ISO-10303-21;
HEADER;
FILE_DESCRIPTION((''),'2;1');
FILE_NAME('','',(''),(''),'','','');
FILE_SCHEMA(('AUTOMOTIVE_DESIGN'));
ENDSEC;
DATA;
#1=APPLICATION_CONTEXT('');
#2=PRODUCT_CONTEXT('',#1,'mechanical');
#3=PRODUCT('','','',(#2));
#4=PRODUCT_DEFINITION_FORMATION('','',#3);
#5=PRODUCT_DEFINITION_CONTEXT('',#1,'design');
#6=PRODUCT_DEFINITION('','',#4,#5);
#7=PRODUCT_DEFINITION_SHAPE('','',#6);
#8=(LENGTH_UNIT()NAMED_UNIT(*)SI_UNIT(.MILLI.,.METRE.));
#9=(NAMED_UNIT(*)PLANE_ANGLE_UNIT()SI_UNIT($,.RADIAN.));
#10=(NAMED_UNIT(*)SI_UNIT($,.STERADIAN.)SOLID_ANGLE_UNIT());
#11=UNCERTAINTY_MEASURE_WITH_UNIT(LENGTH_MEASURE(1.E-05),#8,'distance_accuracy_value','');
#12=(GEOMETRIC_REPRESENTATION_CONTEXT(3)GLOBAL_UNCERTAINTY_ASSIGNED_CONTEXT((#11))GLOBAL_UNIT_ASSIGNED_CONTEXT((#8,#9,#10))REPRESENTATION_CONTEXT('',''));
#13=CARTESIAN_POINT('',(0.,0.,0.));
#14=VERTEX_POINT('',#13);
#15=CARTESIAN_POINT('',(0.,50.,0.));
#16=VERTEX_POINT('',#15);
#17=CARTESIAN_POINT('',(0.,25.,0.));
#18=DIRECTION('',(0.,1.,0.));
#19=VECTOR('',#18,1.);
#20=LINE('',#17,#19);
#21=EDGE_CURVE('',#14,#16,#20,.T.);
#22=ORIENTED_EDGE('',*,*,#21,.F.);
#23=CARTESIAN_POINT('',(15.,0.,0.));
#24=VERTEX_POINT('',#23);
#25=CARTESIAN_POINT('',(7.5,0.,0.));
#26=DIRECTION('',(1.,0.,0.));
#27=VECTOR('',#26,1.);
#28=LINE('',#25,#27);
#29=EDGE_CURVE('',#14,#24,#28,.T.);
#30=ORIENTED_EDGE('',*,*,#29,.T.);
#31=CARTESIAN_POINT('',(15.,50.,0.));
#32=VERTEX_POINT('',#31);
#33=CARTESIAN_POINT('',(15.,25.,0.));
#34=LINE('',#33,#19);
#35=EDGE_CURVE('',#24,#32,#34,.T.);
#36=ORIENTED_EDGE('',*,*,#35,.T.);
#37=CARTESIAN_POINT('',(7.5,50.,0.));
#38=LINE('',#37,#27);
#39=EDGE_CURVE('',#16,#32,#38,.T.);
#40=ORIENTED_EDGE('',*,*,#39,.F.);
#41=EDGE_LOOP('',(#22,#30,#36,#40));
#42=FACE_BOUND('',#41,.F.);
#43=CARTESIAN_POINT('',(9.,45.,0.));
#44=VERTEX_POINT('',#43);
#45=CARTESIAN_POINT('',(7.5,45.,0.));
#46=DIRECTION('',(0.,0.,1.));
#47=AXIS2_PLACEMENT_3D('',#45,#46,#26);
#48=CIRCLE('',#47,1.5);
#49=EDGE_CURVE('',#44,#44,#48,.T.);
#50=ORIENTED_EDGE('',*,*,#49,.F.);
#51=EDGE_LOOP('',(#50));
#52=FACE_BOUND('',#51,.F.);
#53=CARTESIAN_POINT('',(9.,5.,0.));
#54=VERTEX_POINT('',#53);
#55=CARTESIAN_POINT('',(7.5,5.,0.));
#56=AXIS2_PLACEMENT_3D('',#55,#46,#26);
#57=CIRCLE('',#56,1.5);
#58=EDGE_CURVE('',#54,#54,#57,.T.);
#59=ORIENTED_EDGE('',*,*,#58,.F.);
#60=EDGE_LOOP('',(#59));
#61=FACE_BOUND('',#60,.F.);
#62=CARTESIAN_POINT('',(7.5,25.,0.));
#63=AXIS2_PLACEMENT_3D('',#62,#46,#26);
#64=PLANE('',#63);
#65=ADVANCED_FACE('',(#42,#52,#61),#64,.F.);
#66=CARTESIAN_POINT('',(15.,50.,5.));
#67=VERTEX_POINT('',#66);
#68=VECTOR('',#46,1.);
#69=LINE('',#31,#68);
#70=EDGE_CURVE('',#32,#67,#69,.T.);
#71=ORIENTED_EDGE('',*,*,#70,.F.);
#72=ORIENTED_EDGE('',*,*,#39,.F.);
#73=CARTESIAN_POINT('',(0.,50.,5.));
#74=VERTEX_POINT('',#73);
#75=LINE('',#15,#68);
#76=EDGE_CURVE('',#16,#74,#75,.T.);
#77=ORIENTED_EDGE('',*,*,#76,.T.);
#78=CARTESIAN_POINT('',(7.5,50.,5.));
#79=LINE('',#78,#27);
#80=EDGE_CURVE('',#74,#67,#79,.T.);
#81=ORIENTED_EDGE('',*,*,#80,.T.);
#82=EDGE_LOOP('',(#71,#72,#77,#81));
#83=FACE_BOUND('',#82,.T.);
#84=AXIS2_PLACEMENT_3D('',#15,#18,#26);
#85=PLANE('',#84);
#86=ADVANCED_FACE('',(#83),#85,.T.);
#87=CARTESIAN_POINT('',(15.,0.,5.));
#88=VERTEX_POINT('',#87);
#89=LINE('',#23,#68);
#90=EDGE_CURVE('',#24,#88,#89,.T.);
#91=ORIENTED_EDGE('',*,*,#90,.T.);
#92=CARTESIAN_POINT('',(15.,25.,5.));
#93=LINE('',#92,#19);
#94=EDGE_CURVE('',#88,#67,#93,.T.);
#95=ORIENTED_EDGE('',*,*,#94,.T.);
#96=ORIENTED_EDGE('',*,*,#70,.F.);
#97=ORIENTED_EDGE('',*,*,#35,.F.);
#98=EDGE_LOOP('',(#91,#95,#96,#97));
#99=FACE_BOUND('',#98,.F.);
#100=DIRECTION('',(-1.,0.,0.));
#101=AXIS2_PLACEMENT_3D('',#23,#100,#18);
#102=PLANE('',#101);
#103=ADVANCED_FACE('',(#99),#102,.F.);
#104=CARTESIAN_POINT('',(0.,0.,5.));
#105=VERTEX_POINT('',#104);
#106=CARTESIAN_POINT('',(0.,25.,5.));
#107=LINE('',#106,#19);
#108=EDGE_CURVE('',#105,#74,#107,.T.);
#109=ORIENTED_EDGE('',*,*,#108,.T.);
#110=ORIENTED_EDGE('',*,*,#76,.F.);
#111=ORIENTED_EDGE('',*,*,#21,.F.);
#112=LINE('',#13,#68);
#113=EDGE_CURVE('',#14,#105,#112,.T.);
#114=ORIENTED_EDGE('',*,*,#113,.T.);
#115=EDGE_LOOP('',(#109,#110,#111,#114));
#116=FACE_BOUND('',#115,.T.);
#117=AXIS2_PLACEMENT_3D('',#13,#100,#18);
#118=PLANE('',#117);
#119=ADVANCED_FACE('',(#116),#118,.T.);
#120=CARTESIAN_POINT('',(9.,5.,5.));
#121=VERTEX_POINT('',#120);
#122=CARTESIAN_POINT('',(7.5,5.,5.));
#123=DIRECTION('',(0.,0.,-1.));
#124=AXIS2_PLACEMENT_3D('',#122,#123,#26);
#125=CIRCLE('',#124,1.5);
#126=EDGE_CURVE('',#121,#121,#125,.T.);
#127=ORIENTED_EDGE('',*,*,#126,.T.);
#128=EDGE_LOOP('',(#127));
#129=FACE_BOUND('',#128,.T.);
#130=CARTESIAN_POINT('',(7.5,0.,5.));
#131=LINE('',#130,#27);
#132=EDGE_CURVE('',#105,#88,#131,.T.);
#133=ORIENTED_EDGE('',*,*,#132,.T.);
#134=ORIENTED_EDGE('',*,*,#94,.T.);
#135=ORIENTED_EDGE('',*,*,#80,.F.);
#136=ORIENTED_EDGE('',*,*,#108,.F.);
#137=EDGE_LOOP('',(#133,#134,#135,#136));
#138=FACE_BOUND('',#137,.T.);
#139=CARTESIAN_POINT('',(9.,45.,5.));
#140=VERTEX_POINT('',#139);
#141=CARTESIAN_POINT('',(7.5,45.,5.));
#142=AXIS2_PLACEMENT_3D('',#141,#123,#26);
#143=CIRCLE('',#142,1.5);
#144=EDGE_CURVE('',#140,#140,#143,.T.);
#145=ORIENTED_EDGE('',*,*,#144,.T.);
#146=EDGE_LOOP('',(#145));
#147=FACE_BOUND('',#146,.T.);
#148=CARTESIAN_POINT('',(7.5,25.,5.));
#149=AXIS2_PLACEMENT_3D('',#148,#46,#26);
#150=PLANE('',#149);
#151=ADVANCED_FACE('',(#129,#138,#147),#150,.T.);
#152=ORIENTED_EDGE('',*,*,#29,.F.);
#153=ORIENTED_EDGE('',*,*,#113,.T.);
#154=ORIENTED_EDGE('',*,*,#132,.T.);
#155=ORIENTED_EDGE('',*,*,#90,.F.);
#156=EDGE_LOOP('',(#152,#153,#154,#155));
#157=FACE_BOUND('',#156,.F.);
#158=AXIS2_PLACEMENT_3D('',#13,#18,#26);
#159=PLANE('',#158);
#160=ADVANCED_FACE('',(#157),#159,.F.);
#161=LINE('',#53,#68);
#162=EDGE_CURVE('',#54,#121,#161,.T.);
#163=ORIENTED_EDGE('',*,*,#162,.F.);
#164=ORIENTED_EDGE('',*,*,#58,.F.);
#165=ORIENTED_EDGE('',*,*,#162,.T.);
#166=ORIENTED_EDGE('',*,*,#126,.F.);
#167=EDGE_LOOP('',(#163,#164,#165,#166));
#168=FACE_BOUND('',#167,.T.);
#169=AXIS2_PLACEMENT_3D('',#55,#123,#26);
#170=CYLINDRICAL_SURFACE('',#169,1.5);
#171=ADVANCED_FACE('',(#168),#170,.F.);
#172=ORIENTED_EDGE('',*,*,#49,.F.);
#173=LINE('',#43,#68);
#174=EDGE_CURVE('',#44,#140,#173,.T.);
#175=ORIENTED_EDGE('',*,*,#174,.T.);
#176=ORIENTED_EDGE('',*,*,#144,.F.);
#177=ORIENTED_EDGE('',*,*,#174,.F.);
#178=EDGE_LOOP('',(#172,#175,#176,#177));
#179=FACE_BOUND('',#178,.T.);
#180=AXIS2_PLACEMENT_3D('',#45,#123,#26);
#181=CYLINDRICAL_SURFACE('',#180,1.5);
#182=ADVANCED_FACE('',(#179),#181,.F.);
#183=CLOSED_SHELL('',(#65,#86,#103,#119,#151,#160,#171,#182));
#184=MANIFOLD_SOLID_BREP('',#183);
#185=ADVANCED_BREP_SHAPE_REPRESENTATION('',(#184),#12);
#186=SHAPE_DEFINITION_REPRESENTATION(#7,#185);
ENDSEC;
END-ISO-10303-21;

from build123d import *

# Parameters (mm, degrees)
F0_W     = 15
F0_H     = 50
F1_DEPTH = 5
F2_R     = 1.5
F3_DEPTH = 25.4


with BuildPart() as f1:
    # F0 (on Top) → F1 (new body)
    with BuildSketch(Plane.XY):
        with Locations((7.5, 25)):
            Rectangle(F0_W, F0_H)
    extrude(amount=F1_DEPTH)

    # F2 (on Top) → F3 (cut)
    with BuildSketch(Plane.XY):
        with Locations((7.5, 45)):
            Circle(F2_R)
        with Locations((7.5, 5)):
            Circle(F2_R)
    extrude(amount=F3_DEPTH, mode=Mode.SUBTRACT)


solid = f1.part
